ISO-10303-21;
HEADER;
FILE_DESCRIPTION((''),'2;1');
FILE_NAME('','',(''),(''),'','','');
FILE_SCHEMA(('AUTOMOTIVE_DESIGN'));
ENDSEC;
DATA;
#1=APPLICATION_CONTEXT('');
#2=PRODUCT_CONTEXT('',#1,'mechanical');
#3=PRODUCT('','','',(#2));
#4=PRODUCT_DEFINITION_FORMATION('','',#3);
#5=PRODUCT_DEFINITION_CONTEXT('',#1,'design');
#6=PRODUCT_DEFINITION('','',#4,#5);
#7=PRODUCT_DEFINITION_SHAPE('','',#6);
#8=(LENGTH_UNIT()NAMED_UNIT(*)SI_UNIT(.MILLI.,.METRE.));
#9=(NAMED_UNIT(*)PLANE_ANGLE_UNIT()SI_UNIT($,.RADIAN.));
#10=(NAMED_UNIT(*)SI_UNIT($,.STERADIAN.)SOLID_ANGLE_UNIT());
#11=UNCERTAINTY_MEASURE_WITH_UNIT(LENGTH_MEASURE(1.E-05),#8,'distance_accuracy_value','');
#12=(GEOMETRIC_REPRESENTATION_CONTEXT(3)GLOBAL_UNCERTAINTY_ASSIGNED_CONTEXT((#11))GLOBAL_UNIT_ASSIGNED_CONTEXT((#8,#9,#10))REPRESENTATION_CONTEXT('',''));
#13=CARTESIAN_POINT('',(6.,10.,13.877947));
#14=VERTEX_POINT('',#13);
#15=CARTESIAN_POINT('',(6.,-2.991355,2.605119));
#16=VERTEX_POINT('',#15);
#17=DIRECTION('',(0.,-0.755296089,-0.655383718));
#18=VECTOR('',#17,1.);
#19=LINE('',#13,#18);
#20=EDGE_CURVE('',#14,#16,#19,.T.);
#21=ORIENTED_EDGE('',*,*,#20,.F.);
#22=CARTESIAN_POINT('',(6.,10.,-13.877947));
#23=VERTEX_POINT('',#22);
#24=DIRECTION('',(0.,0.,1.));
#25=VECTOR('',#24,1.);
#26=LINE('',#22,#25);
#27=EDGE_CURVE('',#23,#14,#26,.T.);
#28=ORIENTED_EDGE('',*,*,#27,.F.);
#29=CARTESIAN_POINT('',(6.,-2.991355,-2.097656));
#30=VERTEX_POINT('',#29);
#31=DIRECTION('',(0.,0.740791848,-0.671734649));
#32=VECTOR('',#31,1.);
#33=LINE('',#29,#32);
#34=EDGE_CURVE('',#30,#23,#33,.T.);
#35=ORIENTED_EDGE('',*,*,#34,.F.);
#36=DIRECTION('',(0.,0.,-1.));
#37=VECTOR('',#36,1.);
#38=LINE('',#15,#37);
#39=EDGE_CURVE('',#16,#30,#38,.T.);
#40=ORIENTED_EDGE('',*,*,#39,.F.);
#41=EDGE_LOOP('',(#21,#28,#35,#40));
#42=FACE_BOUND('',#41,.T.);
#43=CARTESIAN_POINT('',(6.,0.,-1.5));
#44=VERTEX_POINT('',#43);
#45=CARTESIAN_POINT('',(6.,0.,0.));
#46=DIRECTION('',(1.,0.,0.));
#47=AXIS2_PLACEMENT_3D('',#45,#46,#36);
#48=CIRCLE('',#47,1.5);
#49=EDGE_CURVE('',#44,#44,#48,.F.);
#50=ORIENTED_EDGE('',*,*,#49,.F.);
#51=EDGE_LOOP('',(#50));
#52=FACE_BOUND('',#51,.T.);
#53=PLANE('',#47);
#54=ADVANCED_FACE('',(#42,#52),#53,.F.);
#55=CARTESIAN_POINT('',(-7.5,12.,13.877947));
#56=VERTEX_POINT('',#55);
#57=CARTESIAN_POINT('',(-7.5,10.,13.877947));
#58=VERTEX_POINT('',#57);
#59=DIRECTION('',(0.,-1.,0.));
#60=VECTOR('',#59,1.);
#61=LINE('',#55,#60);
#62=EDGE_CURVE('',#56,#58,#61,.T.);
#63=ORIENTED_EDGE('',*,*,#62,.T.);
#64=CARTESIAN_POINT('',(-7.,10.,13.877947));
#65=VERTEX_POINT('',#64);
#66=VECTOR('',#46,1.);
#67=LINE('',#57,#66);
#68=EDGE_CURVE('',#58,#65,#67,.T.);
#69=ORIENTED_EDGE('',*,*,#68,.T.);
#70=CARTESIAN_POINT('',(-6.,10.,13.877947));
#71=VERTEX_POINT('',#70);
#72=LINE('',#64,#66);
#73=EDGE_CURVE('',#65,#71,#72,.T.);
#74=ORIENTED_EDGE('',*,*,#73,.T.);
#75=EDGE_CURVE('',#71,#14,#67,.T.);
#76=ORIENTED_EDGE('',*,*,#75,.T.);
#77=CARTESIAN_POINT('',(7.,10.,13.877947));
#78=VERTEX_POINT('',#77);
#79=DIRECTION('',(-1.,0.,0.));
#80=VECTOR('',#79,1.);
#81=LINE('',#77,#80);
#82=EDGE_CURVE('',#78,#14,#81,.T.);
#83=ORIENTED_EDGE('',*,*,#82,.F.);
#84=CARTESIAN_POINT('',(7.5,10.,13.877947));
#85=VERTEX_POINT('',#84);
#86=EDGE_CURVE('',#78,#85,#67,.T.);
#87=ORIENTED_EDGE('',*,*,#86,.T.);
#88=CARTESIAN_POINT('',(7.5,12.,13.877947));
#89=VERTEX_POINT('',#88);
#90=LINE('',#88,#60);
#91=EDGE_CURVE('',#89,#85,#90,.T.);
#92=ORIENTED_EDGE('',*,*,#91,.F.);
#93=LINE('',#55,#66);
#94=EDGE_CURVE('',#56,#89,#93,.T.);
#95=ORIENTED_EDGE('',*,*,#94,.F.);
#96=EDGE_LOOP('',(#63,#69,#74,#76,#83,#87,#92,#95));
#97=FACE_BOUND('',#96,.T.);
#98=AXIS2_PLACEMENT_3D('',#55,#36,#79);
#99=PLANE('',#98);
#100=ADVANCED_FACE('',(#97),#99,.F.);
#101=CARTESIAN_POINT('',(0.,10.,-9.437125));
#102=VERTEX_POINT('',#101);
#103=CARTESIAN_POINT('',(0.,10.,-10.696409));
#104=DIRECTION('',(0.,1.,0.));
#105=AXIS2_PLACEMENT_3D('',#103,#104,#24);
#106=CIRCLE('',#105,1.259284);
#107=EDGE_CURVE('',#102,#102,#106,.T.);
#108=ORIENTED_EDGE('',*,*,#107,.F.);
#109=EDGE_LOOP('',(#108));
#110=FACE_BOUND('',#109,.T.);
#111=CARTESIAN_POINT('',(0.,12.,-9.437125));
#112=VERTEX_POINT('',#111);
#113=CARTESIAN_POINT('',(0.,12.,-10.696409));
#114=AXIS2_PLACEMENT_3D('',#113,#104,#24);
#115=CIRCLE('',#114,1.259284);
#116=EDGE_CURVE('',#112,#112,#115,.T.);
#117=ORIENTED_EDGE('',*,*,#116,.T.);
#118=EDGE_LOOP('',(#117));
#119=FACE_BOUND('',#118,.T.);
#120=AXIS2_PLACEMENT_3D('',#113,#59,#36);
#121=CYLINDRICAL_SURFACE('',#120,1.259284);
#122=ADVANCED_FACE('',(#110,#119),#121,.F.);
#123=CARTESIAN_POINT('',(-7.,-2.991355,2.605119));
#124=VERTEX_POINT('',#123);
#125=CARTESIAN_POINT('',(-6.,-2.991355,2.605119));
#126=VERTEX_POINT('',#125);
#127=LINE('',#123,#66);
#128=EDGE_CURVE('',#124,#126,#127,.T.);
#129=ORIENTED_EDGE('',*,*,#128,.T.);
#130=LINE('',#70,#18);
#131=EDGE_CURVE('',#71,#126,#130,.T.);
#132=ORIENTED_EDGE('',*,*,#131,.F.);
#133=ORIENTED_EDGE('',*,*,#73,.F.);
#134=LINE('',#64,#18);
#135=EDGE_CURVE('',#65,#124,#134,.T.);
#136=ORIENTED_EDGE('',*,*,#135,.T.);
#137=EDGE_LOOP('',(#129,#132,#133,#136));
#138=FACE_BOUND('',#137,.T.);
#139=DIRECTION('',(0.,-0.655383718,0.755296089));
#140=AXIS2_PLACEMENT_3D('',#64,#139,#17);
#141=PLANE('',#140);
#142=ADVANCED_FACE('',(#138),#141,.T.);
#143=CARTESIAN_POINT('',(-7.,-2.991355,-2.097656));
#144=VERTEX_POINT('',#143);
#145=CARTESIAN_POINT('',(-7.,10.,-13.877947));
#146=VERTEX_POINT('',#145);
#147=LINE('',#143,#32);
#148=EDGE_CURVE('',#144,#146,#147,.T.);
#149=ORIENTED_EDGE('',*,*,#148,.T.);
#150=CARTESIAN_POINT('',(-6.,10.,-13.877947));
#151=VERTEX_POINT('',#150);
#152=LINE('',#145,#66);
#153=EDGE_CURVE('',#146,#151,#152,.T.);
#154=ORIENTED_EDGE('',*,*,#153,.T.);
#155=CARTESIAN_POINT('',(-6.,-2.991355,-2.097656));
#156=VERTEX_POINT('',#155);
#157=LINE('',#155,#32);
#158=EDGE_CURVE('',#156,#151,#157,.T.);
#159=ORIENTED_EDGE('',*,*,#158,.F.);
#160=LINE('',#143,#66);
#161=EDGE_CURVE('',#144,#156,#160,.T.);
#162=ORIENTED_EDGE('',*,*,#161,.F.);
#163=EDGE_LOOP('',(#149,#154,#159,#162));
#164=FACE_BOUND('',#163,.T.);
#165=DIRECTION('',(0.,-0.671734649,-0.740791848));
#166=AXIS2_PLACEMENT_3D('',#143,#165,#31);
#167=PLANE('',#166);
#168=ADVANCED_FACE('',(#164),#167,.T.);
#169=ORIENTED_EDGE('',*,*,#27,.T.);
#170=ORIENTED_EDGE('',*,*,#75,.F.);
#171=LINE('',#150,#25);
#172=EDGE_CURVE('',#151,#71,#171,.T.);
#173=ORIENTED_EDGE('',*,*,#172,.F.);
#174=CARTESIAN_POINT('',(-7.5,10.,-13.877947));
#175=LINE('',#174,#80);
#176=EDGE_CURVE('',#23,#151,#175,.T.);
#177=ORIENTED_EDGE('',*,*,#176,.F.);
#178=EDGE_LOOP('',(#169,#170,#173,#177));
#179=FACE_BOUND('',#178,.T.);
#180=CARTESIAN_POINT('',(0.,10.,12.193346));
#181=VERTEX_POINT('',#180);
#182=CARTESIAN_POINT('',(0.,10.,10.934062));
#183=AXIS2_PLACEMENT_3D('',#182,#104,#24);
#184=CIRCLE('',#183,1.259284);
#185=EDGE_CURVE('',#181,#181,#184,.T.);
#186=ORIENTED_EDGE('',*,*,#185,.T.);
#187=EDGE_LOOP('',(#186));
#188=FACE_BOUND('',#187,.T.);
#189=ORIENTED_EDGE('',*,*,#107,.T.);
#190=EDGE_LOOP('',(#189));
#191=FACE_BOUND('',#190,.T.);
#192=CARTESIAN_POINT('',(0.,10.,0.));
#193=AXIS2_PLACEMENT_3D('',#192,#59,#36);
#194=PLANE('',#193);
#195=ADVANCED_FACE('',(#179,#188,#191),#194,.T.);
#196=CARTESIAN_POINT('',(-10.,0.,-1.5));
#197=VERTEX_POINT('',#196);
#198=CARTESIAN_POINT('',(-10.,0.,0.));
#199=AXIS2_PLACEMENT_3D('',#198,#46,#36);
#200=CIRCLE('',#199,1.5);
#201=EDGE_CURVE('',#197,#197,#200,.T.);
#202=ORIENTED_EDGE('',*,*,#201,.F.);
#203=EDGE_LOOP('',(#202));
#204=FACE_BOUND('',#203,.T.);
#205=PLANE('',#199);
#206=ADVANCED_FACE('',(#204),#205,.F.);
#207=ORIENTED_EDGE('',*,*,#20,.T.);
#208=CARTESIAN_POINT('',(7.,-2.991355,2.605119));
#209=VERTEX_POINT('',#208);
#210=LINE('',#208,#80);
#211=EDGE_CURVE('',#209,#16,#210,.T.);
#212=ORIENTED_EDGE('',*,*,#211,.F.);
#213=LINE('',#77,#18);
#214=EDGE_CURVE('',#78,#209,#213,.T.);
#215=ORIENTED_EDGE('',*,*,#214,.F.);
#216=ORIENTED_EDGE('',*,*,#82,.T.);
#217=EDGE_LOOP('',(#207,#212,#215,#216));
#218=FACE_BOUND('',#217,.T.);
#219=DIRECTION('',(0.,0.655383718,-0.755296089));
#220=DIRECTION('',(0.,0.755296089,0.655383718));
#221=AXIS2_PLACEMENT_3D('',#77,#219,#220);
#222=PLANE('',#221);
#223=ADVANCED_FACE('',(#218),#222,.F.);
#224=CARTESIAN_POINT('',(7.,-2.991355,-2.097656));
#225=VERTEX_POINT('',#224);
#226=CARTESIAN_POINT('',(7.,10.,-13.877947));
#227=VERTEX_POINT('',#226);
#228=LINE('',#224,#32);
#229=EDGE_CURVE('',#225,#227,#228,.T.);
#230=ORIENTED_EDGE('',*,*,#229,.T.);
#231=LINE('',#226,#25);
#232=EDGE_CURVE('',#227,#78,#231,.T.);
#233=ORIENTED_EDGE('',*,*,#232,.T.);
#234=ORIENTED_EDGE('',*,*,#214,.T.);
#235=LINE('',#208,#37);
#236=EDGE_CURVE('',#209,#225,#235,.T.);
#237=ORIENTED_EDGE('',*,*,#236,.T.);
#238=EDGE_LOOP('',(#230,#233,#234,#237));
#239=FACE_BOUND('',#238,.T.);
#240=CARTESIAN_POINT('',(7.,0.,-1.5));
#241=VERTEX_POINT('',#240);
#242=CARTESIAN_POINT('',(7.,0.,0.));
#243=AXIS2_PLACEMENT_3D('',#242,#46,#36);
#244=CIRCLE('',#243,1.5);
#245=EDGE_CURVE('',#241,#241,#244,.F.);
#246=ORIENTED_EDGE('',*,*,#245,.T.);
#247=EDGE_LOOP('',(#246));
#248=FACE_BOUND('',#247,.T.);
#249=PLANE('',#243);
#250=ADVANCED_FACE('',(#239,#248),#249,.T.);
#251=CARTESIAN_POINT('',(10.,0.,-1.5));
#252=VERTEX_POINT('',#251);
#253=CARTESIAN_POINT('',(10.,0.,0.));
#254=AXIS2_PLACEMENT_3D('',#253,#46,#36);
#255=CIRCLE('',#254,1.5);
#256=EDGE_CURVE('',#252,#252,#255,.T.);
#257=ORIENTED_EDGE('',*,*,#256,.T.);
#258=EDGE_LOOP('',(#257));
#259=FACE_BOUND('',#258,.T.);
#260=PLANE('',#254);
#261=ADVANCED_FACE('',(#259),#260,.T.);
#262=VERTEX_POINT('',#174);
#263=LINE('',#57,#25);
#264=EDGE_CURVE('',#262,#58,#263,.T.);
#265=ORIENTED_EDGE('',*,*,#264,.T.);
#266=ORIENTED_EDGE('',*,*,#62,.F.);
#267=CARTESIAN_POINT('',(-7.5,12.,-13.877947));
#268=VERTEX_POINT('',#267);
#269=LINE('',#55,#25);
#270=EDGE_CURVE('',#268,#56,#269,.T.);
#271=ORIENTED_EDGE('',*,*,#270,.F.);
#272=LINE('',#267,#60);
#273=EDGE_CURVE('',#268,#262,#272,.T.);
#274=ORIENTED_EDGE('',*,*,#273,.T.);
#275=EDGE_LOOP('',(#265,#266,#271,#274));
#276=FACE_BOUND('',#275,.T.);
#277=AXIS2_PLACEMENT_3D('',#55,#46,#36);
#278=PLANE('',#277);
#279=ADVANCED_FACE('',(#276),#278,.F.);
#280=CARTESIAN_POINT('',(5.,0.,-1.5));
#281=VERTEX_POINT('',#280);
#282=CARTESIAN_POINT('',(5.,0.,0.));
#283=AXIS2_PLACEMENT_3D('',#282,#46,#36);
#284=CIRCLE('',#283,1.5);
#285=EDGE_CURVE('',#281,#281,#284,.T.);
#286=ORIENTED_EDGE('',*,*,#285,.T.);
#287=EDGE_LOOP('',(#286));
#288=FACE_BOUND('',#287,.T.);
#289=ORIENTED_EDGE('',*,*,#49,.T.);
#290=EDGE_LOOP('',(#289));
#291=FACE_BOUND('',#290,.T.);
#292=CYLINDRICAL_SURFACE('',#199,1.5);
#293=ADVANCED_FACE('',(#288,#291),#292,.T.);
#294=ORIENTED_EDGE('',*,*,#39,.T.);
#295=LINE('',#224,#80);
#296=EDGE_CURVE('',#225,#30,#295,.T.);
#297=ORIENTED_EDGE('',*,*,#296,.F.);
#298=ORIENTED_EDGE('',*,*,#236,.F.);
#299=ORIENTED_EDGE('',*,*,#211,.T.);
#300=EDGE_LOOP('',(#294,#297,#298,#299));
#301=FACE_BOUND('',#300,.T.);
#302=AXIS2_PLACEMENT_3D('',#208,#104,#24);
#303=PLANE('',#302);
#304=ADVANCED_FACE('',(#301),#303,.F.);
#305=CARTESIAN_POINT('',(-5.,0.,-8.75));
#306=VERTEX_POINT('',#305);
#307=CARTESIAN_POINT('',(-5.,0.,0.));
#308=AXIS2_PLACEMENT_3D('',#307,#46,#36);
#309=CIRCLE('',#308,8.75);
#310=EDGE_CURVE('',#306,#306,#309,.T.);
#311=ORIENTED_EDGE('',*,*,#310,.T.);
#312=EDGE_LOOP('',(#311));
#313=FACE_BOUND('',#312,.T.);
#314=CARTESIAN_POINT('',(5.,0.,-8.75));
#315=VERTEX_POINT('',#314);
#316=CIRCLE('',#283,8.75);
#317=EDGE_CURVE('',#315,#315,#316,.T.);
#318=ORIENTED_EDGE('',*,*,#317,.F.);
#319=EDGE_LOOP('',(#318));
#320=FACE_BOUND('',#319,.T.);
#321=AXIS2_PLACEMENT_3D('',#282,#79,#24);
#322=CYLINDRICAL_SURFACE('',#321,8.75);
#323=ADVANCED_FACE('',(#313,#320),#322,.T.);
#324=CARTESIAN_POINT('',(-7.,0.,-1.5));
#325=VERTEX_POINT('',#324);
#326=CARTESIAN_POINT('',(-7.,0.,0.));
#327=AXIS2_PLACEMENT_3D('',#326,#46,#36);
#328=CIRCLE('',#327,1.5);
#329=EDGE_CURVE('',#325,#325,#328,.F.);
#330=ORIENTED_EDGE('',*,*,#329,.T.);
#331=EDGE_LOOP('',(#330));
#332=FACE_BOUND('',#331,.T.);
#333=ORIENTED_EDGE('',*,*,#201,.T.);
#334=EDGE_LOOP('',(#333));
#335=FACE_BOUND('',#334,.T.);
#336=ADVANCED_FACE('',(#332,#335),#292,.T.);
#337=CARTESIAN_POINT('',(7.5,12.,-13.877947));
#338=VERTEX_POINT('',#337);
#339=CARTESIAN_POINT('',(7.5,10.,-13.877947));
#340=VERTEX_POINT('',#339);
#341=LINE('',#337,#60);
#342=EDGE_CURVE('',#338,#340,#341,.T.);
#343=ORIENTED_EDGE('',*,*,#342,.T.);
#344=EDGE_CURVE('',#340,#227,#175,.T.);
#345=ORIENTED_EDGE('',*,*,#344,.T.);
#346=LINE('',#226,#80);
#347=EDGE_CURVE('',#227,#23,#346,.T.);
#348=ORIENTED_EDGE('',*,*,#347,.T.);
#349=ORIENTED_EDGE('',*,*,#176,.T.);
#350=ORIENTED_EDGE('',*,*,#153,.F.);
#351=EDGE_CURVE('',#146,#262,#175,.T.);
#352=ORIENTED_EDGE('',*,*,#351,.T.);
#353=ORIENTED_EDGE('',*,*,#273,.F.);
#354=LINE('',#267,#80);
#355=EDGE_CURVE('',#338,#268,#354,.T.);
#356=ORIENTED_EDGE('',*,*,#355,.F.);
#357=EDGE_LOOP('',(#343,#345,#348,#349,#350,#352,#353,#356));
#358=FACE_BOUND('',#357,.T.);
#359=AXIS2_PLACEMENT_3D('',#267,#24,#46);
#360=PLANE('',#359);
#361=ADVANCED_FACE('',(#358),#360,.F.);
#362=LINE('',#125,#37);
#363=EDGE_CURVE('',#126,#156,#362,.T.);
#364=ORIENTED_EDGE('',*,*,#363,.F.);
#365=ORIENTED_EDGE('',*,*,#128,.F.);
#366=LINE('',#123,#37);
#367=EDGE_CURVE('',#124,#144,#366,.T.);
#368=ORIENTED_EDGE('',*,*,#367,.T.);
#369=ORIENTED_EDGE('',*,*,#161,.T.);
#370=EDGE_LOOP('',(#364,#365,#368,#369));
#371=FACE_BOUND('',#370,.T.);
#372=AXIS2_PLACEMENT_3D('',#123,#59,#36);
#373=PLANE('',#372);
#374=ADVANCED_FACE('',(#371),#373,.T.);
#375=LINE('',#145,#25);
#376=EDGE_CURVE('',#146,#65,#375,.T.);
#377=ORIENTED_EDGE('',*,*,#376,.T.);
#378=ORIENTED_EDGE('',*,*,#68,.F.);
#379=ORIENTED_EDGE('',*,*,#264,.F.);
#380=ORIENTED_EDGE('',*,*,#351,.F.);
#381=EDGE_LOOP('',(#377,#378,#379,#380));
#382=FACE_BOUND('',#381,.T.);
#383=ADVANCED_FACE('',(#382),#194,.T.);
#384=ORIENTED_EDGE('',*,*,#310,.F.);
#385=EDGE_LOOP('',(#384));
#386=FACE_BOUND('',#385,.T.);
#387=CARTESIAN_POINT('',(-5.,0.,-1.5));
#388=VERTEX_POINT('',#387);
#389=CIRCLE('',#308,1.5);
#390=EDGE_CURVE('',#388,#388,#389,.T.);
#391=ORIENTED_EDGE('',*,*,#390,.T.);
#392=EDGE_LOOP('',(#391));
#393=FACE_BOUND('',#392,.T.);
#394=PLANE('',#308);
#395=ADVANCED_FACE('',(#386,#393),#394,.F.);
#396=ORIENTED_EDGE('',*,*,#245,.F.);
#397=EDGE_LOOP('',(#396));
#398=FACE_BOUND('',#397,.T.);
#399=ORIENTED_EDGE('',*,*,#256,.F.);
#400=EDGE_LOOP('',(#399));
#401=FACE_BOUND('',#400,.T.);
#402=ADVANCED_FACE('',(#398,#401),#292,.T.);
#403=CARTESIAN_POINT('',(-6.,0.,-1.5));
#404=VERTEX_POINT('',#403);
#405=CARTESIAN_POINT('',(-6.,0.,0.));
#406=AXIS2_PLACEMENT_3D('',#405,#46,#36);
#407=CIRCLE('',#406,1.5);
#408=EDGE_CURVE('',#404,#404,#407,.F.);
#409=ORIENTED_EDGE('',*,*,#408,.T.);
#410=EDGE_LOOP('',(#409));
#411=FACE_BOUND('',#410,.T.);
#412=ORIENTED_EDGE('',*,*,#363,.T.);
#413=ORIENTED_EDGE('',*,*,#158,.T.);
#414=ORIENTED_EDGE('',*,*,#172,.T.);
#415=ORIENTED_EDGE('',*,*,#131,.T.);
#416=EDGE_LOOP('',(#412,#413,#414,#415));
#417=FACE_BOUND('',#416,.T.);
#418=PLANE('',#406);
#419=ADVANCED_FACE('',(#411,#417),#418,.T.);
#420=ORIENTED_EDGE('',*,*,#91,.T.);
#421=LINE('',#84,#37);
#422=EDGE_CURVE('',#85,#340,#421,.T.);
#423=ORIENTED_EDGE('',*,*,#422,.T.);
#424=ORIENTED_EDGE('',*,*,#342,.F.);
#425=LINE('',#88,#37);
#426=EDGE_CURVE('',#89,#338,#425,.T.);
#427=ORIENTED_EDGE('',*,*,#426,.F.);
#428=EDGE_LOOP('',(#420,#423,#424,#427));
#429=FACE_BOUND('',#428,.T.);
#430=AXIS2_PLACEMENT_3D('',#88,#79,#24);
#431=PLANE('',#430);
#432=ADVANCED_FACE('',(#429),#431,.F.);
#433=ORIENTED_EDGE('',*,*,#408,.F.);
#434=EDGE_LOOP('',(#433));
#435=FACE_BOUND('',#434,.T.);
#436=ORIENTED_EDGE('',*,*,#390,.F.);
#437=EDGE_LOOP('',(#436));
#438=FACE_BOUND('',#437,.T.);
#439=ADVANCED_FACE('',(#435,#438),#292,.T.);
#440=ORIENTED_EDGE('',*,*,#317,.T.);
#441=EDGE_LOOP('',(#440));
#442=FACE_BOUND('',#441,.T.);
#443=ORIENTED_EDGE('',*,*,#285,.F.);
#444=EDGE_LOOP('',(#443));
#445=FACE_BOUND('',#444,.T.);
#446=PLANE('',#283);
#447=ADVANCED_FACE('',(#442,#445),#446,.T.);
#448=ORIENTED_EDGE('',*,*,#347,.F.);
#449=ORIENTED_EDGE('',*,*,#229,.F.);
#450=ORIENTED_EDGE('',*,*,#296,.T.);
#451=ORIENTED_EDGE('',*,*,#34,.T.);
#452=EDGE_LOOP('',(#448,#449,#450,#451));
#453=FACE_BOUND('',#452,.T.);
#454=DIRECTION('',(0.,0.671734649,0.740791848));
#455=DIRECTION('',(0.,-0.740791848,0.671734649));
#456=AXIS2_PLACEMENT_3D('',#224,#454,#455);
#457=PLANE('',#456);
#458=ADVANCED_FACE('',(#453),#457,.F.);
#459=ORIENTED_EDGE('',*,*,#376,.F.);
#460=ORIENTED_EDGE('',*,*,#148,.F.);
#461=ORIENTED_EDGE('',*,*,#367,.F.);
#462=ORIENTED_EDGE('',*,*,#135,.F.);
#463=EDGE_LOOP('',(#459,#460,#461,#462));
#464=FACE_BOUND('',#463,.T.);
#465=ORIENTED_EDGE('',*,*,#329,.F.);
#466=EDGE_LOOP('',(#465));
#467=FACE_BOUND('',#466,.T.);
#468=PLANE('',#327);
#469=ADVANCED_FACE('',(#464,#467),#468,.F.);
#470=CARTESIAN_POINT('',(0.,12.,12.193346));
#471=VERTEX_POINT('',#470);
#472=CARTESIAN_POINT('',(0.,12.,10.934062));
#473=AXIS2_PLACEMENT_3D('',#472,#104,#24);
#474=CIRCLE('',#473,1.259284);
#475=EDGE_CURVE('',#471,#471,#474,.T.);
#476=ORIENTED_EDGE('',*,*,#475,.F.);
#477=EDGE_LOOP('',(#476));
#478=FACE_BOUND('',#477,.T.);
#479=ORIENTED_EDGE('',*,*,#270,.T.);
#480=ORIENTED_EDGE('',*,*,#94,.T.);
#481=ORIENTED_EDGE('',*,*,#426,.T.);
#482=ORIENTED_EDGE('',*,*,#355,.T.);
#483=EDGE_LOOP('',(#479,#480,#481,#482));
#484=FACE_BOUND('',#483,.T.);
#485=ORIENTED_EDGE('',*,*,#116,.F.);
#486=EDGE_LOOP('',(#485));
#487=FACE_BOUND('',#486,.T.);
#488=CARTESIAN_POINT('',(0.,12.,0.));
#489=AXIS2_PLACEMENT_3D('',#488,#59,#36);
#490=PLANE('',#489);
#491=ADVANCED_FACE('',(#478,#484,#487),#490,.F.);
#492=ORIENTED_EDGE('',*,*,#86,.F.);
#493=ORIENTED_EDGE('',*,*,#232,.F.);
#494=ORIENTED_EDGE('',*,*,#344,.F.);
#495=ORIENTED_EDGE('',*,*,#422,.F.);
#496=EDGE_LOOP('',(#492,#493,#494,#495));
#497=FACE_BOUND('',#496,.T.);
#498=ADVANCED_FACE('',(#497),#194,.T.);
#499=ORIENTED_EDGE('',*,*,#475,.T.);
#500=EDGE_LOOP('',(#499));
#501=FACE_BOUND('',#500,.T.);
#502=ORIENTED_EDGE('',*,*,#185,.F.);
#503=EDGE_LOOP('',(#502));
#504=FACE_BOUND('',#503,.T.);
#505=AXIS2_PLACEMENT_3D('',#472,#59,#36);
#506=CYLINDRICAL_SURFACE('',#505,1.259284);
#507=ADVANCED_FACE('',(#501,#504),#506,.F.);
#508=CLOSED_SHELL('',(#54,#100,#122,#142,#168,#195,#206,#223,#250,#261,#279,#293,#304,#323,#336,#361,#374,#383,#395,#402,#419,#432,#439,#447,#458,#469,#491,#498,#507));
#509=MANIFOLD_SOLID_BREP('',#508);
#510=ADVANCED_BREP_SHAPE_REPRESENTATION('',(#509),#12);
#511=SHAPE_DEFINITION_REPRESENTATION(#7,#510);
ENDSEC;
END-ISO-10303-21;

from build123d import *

# Parameters (mm, degrees)
SKETCH1_R           = 8.75
SKETCH1_R_2         = 1.5
BOSS_EXTRUDE1_DEPTH = 5
SKETCH1_2_R         = 1.5
BOSS_EXTRUDE2_DEPTH = 10
BOSS_EXTRUDE3_START = 10
SKETCH2_W           = 15
SKETCH2_H           = 27.755893748
SKETCH2_R           = 1.259283935
BOSS_EXTRUDE3_DEPTH = 2
BOSS_EXTRUDE4_START = 6
BOSS_EXTRUDE4_DEPTH = 1
BOSS_EXTRUDE5_START = -6
BOSS_EXTRUDE5_DEPTH = 1


with BuildPart() as part:
    # Sketch1 → Boss-Extrude1 (new, symmetric)
    with BuildSketch(Plane(origin=(0, 0, 0), x_dir=(0, 0, -1), z_dir=(1, 0, 0))):
        Circle(SKETCH1_R)
        Circle(SKETCH1_R_2, mode=Mode.SUBTRACT)
    extrude(amount=BOSS_EXTRUDE1_DEPTH, both=True)

    # Sketch1<2> → Boss-Extrude2 (add, symmetric)
    with BuildSketch(Plane(origin=(0, 0, 0), x_dir=(0, 0, -1), z_dir=(1, 0, 0))):
        Circle(SKETCH1_2_R)
    extrude(amount=BOSS_EXTRUDE2_DEPTH, both=True)



with BuildPart() as body_2:
    # Sketch2 → Boss-Extrude3 (new body)
    with BuildSketch(Plane(origin=(0, 0, 0), x_dir=(1, 0, 0), z_dir=(0, 1, 0)).offset(BOSS_EXTRUDE3_START)):
        Rectangle(SKETCH2_W, SKETCH2_H)
        with Locations((0, 10.696409263)):
            Circle(SKETCH2_R, mode=Mode.SUBTRACT)
        with Locations((0, -10.934061862)):
            Circle(SKETCH2_R, mode=Mode.SUBTRACT)
    extrude(amount=BOSS_EXTRUDE3_DEPTH)


with BuildPart() as part_1:
    add(part.part)

    add(body_2.part)  # Boss-Extrude4 merges body 2
    # Sketch3 → Boss-Extrude4 (add)
    with BuildSketch(Plane(origin=(0, 0, 0), x_dir=(0, 0, -1), z_dir=(1, 0, 0)).offset(BOSS_EXTRUDE4_START)):
        Polygon((-13.877946874, 10), (-2.605119046, -2.991355361), (2.097655879, -2.991355361), (13.877946874, 10), align=None)
    extrude(amount=BOSS_EXTRUDE4_DEPTH)

    # Sketch3<2> → Boss-Extrude5 (add)
    with BuildSketch(Plane(origin=(0, 0, 0), x_dir=(0, 0, -1), z_dir=(1, 0, 0)).offset(BOSS_EXTRUDE5_START)):
        Polygon((-13.877946874, 10), (-2.605119046, -2.991355361), (2.097655879, -2.991355361), (13.877946874, 10), align=None)
    extrude(amount=-BOSS_EXTRUDE5_DEPTH)


solid = part_1.part
